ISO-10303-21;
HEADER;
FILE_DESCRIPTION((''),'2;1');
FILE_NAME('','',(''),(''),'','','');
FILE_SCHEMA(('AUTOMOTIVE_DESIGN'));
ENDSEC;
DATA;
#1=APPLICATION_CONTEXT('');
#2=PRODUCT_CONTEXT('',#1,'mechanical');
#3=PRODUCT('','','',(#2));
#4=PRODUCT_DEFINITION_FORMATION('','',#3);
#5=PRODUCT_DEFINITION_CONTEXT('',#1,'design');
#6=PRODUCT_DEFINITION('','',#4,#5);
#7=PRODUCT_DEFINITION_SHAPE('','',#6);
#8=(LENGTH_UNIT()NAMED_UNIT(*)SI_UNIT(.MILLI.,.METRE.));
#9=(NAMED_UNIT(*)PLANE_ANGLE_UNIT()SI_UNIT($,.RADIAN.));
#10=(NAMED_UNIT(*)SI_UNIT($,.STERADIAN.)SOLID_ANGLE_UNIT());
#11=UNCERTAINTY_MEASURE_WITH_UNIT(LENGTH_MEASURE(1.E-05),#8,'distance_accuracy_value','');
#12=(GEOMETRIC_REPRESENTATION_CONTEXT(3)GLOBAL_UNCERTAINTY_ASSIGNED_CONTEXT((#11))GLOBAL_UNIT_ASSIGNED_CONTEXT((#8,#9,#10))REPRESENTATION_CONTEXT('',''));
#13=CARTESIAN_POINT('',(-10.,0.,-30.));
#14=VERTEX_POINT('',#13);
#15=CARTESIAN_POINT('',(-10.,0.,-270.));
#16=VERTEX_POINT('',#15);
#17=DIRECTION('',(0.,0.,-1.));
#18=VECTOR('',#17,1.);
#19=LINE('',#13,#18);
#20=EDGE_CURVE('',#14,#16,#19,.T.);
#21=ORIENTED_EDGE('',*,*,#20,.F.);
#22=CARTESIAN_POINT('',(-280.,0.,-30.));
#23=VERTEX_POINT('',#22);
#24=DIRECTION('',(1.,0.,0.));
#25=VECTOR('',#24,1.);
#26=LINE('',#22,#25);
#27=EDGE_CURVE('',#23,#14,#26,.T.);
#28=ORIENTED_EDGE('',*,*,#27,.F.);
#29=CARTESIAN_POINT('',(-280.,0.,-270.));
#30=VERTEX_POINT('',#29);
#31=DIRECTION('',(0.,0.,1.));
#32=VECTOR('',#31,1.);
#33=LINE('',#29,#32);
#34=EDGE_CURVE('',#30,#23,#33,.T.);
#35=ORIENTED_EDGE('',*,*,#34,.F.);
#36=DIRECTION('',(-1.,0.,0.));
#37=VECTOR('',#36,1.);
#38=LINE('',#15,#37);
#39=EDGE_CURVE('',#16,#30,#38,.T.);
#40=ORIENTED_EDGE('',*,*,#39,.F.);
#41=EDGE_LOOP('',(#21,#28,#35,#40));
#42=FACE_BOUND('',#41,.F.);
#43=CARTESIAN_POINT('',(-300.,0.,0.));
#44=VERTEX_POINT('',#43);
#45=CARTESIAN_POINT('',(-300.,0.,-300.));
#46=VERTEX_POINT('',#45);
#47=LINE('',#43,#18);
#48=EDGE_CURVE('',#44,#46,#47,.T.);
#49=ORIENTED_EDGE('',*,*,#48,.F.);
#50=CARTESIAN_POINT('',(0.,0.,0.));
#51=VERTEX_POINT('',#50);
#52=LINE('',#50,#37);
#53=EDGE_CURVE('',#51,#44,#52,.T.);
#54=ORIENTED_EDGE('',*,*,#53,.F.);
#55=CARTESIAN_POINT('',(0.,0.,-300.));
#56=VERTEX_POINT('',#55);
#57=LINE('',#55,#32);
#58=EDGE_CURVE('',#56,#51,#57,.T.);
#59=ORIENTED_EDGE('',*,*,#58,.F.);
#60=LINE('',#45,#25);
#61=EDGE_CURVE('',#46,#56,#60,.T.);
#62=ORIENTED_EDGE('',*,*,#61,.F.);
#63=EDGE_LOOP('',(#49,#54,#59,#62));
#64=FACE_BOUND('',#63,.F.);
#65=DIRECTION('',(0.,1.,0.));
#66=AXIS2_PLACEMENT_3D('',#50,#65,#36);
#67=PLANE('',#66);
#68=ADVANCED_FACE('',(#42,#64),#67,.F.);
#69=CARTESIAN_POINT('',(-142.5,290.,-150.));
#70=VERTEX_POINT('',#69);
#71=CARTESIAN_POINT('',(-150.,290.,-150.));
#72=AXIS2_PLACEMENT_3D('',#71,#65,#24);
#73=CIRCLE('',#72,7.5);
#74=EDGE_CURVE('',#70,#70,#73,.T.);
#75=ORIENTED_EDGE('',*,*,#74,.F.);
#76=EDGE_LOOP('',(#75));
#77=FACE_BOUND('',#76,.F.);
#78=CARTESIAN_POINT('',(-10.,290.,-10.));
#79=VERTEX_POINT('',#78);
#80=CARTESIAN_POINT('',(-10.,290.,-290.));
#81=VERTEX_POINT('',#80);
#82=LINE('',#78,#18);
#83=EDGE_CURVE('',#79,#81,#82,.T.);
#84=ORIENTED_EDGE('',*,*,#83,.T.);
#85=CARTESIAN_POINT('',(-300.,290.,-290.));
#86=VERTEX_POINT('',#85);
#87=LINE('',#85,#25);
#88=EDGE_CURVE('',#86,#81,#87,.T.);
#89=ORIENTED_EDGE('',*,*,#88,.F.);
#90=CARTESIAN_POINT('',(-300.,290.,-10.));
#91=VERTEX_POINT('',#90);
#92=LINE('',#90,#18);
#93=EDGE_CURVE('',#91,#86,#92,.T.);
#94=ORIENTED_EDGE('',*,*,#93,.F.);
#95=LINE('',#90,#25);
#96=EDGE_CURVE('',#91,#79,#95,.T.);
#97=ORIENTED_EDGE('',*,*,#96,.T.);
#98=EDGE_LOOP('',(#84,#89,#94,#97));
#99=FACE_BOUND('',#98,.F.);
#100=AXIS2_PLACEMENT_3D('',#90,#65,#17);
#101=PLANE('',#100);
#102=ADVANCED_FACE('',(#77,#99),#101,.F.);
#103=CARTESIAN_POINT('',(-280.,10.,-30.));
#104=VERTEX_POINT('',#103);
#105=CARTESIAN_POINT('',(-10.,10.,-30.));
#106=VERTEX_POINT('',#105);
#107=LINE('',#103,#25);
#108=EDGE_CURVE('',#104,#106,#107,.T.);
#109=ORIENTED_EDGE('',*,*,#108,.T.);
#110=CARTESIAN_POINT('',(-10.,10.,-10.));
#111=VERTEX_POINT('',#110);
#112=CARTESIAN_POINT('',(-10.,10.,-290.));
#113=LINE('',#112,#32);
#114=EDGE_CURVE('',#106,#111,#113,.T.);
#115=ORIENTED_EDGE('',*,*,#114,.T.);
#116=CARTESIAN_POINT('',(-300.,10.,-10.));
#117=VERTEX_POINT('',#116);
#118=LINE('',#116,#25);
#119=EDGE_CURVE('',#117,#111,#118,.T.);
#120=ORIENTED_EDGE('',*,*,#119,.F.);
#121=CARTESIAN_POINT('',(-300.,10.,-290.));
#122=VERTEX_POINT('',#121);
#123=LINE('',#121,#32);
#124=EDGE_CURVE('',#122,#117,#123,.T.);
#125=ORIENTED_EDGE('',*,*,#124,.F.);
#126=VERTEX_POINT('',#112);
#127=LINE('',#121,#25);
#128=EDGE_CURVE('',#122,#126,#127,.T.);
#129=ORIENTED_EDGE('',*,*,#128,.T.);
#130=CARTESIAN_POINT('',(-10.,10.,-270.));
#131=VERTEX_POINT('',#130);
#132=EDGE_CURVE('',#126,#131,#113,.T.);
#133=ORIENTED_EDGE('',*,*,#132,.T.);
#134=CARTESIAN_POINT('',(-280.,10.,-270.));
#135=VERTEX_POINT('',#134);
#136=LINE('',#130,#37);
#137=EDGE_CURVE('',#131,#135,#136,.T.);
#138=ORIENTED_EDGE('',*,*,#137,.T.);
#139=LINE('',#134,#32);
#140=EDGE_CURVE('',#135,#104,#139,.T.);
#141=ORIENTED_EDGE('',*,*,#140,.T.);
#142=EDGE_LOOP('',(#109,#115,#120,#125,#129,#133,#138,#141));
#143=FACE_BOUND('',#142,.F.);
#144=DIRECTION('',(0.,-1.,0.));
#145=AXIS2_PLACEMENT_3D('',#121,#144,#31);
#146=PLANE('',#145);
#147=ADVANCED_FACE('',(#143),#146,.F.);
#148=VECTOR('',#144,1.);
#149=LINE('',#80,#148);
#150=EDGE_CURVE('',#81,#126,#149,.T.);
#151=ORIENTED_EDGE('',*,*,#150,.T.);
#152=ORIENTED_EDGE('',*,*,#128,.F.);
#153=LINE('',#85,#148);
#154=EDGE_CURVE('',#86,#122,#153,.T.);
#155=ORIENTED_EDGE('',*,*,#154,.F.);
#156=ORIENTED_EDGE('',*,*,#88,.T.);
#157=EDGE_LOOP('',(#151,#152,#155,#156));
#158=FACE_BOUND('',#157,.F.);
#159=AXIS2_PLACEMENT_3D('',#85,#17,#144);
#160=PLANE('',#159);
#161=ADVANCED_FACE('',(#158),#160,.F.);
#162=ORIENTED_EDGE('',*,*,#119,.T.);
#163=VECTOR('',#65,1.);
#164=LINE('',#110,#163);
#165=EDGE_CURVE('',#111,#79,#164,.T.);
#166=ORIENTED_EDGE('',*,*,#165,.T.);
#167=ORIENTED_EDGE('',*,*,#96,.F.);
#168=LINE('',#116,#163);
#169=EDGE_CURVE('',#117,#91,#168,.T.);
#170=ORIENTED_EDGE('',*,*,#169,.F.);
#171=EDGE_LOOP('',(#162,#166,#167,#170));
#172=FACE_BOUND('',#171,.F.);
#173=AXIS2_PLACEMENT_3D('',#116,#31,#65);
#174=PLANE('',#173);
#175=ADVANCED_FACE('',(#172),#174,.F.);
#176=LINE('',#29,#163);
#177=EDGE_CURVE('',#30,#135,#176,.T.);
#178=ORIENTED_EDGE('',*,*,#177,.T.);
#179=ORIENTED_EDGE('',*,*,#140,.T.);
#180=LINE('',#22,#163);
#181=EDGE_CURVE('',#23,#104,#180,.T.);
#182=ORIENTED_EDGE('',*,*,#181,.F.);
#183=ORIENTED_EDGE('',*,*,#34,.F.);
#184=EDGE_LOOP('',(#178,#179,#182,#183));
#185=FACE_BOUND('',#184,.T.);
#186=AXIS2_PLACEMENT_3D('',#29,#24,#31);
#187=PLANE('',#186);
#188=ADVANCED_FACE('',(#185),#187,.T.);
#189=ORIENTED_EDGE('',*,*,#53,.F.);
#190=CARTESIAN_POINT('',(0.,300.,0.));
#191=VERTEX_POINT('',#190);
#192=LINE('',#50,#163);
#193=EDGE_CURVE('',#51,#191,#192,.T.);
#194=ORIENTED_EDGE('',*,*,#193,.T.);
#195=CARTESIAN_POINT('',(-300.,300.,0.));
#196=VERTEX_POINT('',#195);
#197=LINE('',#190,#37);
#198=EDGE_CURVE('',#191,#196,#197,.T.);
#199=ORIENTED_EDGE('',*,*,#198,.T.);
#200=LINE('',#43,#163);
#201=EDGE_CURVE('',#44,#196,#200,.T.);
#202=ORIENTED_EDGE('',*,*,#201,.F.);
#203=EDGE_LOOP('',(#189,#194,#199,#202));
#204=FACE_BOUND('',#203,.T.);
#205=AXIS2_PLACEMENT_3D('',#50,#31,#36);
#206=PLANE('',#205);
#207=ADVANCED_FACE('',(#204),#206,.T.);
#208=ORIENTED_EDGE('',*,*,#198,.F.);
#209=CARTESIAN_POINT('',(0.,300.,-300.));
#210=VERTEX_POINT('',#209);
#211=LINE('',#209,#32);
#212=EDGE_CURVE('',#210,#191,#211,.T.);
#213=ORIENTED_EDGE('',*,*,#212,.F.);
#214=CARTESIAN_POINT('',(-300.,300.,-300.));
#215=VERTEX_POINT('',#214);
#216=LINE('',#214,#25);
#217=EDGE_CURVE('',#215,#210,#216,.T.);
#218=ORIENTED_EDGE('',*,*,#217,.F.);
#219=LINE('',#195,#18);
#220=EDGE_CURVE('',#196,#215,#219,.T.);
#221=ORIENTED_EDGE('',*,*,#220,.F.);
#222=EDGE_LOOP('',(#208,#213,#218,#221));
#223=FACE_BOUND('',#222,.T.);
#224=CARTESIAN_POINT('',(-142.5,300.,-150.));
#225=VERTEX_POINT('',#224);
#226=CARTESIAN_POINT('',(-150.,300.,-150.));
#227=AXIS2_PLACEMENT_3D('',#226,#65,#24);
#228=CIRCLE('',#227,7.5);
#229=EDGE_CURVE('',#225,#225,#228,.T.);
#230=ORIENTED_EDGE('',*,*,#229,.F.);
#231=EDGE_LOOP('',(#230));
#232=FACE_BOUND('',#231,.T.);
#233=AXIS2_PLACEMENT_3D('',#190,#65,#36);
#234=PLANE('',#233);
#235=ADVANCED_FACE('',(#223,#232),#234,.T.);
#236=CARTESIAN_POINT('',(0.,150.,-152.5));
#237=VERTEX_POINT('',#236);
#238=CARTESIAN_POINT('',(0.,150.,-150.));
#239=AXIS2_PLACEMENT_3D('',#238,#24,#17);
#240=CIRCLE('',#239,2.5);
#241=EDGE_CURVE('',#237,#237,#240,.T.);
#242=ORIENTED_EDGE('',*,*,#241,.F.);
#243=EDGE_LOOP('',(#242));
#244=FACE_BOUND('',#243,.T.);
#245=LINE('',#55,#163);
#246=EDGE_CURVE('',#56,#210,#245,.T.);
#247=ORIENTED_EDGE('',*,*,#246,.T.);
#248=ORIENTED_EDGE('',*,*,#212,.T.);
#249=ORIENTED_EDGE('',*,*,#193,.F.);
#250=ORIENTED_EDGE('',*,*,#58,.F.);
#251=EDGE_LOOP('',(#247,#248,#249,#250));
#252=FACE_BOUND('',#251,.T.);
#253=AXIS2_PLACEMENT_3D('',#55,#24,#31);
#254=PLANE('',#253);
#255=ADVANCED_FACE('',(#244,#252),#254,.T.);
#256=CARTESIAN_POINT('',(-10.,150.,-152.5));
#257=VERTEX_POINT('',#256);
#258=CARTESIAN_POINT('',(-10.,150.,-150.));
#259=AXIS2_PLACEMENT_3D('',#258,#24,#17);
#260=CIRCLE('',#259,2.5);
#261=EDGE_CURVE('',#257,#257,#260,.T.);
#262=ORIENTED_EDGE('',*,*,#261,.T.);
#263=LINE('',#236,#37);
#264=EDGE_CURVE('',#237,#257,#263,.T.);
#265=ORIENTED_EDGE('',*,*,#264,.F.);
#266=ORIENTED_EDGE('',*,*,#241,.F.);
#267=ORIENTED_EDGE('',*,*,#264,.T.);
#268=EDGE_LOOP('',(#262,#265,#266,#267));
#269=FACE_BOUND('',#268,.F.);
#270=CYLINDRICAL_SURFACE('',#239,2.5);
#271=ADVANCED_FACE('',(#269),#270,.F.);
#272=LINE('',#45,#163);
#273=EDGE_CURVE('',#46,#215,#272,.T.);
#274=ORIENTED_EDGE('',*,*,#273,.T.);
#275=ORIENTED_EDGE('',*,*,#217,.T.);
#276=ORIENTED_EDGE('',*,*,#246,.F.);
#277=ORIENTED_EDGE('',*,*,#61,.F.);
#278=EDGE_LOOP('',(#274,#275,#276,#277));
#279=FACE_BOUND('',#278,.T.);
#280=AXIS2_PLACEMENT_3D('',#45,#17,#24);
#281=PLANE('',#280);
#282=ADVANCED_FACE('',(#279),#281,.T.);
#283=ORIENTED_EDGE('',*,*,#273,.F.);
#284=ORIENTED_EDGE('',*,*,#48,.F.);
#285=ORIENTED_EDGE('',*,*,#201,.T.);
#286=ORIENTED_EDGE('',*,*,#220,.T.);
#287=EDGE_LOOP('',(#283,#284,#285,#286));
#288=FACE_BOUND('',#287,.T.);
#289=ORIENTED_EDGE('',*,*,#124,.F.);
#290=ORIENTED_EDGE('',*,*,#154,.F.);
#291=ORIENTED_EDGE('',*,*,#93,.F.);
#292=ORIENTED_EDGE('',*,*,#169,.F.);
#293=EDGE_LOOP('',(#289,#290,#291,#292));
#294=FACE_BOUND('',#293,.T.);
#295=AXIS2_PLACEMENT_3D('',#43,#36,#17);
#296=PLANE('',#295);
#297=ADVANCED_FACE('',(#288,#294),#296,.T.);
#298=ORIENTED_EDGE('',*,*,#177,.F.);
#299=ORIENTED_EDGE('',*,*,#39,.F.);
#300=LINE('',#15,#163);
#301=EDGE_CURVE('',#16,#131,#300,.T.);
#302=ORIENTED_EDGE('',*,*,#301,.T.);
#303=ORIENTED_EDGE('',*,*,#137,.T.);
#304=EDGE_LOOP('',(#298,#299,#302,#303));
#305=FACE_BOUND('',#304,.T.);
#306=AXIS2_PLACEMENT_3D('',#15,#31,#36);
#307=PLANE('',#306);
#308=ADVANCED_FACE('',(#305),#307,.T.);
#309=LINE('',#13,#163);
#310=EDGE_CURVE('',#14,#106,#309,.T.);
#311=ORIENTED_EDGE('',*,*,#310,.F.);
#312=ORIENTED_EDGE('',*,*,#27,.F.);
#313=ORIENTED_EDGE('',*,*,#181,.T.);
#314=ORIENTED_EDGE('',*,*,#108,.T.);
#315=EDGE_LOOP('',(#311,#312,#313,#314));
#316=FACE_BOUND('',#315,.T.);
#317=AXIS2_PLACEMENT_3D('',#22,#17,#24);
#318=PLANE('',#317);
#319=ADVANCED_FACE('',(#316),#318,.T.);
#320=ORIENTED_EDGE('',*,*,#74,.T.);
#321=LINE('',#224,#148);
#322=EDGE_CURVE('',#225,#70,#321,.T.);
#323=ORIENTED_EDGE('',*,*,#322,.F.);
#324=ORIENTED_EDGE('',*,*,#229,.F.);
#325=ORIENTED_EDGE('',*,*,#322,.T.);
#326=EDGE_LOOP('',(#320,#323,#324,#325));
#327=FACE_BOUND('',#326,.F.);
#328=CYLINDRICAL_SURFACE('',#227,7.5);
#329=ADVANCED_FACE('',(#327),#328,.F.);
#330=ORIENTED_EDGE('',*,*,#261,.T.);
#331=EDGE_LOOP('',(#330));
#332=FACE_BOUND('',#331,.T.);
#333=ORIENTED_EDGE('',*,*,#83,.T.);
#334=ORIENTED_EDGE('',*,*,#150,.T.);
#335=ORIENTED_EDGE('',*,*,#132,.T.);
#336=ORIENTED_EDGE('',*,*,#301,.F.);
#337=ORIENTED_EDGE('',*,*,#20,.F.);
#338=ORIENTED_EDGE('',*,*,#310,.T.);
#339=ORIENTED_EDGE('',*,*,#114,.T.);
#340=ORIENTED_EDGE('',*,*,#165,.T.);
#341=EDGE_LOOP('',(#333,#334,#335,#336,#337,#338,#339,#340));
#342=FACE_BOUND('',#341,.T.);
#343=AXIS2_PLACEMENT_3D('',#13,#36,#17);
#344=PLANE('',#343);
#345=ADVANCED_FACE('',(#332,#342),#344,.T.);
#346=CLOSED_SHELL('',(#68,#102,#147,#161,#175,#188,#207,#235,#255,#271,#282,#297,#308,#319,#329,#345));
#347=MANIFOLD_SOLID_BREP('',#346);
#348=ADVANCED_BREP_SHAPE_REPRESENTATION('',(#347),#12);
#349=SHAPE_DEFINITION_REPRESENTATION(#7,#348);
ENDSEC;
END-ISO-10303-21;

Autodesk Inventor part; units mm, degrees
ref_plane "YZ Plane" through (0, 0, 0) normal (1, 0, 0) x (0, 1, 0)
ref_plane "XZ Plane" through (0, 0, 0) normal (0, 1, 0) x (-1, 0, 0)
ref_plane "XY Plane" through (0, 0, 0) normal (0, 0, 1) x (1, 0, 0)
sketch "Sketch1" plane through (0, 0, 0) normal (0, 1, 0) x (-1, 0, 0)
  line L0 (0, 0) -> (300, 0)
  line L1 (300, 0) -> (300, -300)
  line L2 (300, -300) -> (0, -300)
  line L3 (0, -300) -> (0, 0)
  dimension "d0" = 300
  dimension "d1" = 300
extrude "Extrusion1" add sketch "Sketch1" along normal blind 300
sketch "Sketch3" plane through (0, 0, 0) normal (0, -1, 0) x (1, 0, 0)
  line L0 (-10, -270) -> (-280, -270)
  line L1 (-280, -270) -> (-280, -30)
  line L2 (-280, -30) -> (-10, -30)
  line L3 (-10, -30) -> (-10, -270)
  line L4 (0, 0) -> (0, -300) projected
  line L5 (-300, -300) -> (-300, 0) projected
  line L6 (0, -300) -> (-300, -300) projected
  line L7 (-300, 0) -> (0, 0) projected
  dimension "d10" = 10
  dimension "d11" = 20
  dimension "d12" = 30
  dimension "d13" = 30
extrude "Extrusion3" cut sketch "Sketch3" against normal blind 10 contours L0 L1 L2 L3
sketch "Sketch5" plane through (-300, 0, -300) normal (-1, 0, 0) x (0, 0, 1)
  line L0 (10, 10) -> (290, 10)
  line L1 (290, 10) -> (290, 290)
  line L2 (290, 290) -> (10, 290)
  line L3 (10, 290) -> (10, 10)
  line L4 (0, 300) -> (300, 300) projected
  line L5 (0, 0) -> (300, 0) projected
  line L6 (0, 0) -> (0, 300) projected
  line L7 (300, 0) -> (300, 300) projected
  dimension "d22" = 10
  dimension "d23" = 10
  dimension "d24" = 10
  dimension "d25" = 10
extrude "Extrusion5" cut sketch "Sketch5" against normal blind 290 contours L3 L2 L1 L0
sketch "Sketch7" plane through (0, 0, 0) normal (1, 0, 0) x (0, 0, -1)
  circle A0 centre (150, 150) radius 2.5
  line L0 (0, 300) -> (300, 300) projected
  line L1 (300, 0) -> (300, 300) projected
  point P0 (0, 0)
  dimension "d37" = 5
  dimension "d38" = 150
  dimension "d39" = 150
extrude "Extrusion7" cut sketch "Sketch7" against normal blind 10
sketch "Sketch8" plane through (0, 300, 0) normal (0, 1, 0) x (1, 0, 0)
  circle A0 centre (-150, 150) radius 7.5
  line L0 (0, 0) -> (0, 300) projected
  line L1 (0, 300) -> (-300, 300) projected
  dimension "d42" = 15
  dimension "d43" = 150
  dimension "d44" = 150
extrude "Extrusion8" cut sketch "Sketch8" against normal through all
properties part number "temporary" material "PC/ABS Plastic"
